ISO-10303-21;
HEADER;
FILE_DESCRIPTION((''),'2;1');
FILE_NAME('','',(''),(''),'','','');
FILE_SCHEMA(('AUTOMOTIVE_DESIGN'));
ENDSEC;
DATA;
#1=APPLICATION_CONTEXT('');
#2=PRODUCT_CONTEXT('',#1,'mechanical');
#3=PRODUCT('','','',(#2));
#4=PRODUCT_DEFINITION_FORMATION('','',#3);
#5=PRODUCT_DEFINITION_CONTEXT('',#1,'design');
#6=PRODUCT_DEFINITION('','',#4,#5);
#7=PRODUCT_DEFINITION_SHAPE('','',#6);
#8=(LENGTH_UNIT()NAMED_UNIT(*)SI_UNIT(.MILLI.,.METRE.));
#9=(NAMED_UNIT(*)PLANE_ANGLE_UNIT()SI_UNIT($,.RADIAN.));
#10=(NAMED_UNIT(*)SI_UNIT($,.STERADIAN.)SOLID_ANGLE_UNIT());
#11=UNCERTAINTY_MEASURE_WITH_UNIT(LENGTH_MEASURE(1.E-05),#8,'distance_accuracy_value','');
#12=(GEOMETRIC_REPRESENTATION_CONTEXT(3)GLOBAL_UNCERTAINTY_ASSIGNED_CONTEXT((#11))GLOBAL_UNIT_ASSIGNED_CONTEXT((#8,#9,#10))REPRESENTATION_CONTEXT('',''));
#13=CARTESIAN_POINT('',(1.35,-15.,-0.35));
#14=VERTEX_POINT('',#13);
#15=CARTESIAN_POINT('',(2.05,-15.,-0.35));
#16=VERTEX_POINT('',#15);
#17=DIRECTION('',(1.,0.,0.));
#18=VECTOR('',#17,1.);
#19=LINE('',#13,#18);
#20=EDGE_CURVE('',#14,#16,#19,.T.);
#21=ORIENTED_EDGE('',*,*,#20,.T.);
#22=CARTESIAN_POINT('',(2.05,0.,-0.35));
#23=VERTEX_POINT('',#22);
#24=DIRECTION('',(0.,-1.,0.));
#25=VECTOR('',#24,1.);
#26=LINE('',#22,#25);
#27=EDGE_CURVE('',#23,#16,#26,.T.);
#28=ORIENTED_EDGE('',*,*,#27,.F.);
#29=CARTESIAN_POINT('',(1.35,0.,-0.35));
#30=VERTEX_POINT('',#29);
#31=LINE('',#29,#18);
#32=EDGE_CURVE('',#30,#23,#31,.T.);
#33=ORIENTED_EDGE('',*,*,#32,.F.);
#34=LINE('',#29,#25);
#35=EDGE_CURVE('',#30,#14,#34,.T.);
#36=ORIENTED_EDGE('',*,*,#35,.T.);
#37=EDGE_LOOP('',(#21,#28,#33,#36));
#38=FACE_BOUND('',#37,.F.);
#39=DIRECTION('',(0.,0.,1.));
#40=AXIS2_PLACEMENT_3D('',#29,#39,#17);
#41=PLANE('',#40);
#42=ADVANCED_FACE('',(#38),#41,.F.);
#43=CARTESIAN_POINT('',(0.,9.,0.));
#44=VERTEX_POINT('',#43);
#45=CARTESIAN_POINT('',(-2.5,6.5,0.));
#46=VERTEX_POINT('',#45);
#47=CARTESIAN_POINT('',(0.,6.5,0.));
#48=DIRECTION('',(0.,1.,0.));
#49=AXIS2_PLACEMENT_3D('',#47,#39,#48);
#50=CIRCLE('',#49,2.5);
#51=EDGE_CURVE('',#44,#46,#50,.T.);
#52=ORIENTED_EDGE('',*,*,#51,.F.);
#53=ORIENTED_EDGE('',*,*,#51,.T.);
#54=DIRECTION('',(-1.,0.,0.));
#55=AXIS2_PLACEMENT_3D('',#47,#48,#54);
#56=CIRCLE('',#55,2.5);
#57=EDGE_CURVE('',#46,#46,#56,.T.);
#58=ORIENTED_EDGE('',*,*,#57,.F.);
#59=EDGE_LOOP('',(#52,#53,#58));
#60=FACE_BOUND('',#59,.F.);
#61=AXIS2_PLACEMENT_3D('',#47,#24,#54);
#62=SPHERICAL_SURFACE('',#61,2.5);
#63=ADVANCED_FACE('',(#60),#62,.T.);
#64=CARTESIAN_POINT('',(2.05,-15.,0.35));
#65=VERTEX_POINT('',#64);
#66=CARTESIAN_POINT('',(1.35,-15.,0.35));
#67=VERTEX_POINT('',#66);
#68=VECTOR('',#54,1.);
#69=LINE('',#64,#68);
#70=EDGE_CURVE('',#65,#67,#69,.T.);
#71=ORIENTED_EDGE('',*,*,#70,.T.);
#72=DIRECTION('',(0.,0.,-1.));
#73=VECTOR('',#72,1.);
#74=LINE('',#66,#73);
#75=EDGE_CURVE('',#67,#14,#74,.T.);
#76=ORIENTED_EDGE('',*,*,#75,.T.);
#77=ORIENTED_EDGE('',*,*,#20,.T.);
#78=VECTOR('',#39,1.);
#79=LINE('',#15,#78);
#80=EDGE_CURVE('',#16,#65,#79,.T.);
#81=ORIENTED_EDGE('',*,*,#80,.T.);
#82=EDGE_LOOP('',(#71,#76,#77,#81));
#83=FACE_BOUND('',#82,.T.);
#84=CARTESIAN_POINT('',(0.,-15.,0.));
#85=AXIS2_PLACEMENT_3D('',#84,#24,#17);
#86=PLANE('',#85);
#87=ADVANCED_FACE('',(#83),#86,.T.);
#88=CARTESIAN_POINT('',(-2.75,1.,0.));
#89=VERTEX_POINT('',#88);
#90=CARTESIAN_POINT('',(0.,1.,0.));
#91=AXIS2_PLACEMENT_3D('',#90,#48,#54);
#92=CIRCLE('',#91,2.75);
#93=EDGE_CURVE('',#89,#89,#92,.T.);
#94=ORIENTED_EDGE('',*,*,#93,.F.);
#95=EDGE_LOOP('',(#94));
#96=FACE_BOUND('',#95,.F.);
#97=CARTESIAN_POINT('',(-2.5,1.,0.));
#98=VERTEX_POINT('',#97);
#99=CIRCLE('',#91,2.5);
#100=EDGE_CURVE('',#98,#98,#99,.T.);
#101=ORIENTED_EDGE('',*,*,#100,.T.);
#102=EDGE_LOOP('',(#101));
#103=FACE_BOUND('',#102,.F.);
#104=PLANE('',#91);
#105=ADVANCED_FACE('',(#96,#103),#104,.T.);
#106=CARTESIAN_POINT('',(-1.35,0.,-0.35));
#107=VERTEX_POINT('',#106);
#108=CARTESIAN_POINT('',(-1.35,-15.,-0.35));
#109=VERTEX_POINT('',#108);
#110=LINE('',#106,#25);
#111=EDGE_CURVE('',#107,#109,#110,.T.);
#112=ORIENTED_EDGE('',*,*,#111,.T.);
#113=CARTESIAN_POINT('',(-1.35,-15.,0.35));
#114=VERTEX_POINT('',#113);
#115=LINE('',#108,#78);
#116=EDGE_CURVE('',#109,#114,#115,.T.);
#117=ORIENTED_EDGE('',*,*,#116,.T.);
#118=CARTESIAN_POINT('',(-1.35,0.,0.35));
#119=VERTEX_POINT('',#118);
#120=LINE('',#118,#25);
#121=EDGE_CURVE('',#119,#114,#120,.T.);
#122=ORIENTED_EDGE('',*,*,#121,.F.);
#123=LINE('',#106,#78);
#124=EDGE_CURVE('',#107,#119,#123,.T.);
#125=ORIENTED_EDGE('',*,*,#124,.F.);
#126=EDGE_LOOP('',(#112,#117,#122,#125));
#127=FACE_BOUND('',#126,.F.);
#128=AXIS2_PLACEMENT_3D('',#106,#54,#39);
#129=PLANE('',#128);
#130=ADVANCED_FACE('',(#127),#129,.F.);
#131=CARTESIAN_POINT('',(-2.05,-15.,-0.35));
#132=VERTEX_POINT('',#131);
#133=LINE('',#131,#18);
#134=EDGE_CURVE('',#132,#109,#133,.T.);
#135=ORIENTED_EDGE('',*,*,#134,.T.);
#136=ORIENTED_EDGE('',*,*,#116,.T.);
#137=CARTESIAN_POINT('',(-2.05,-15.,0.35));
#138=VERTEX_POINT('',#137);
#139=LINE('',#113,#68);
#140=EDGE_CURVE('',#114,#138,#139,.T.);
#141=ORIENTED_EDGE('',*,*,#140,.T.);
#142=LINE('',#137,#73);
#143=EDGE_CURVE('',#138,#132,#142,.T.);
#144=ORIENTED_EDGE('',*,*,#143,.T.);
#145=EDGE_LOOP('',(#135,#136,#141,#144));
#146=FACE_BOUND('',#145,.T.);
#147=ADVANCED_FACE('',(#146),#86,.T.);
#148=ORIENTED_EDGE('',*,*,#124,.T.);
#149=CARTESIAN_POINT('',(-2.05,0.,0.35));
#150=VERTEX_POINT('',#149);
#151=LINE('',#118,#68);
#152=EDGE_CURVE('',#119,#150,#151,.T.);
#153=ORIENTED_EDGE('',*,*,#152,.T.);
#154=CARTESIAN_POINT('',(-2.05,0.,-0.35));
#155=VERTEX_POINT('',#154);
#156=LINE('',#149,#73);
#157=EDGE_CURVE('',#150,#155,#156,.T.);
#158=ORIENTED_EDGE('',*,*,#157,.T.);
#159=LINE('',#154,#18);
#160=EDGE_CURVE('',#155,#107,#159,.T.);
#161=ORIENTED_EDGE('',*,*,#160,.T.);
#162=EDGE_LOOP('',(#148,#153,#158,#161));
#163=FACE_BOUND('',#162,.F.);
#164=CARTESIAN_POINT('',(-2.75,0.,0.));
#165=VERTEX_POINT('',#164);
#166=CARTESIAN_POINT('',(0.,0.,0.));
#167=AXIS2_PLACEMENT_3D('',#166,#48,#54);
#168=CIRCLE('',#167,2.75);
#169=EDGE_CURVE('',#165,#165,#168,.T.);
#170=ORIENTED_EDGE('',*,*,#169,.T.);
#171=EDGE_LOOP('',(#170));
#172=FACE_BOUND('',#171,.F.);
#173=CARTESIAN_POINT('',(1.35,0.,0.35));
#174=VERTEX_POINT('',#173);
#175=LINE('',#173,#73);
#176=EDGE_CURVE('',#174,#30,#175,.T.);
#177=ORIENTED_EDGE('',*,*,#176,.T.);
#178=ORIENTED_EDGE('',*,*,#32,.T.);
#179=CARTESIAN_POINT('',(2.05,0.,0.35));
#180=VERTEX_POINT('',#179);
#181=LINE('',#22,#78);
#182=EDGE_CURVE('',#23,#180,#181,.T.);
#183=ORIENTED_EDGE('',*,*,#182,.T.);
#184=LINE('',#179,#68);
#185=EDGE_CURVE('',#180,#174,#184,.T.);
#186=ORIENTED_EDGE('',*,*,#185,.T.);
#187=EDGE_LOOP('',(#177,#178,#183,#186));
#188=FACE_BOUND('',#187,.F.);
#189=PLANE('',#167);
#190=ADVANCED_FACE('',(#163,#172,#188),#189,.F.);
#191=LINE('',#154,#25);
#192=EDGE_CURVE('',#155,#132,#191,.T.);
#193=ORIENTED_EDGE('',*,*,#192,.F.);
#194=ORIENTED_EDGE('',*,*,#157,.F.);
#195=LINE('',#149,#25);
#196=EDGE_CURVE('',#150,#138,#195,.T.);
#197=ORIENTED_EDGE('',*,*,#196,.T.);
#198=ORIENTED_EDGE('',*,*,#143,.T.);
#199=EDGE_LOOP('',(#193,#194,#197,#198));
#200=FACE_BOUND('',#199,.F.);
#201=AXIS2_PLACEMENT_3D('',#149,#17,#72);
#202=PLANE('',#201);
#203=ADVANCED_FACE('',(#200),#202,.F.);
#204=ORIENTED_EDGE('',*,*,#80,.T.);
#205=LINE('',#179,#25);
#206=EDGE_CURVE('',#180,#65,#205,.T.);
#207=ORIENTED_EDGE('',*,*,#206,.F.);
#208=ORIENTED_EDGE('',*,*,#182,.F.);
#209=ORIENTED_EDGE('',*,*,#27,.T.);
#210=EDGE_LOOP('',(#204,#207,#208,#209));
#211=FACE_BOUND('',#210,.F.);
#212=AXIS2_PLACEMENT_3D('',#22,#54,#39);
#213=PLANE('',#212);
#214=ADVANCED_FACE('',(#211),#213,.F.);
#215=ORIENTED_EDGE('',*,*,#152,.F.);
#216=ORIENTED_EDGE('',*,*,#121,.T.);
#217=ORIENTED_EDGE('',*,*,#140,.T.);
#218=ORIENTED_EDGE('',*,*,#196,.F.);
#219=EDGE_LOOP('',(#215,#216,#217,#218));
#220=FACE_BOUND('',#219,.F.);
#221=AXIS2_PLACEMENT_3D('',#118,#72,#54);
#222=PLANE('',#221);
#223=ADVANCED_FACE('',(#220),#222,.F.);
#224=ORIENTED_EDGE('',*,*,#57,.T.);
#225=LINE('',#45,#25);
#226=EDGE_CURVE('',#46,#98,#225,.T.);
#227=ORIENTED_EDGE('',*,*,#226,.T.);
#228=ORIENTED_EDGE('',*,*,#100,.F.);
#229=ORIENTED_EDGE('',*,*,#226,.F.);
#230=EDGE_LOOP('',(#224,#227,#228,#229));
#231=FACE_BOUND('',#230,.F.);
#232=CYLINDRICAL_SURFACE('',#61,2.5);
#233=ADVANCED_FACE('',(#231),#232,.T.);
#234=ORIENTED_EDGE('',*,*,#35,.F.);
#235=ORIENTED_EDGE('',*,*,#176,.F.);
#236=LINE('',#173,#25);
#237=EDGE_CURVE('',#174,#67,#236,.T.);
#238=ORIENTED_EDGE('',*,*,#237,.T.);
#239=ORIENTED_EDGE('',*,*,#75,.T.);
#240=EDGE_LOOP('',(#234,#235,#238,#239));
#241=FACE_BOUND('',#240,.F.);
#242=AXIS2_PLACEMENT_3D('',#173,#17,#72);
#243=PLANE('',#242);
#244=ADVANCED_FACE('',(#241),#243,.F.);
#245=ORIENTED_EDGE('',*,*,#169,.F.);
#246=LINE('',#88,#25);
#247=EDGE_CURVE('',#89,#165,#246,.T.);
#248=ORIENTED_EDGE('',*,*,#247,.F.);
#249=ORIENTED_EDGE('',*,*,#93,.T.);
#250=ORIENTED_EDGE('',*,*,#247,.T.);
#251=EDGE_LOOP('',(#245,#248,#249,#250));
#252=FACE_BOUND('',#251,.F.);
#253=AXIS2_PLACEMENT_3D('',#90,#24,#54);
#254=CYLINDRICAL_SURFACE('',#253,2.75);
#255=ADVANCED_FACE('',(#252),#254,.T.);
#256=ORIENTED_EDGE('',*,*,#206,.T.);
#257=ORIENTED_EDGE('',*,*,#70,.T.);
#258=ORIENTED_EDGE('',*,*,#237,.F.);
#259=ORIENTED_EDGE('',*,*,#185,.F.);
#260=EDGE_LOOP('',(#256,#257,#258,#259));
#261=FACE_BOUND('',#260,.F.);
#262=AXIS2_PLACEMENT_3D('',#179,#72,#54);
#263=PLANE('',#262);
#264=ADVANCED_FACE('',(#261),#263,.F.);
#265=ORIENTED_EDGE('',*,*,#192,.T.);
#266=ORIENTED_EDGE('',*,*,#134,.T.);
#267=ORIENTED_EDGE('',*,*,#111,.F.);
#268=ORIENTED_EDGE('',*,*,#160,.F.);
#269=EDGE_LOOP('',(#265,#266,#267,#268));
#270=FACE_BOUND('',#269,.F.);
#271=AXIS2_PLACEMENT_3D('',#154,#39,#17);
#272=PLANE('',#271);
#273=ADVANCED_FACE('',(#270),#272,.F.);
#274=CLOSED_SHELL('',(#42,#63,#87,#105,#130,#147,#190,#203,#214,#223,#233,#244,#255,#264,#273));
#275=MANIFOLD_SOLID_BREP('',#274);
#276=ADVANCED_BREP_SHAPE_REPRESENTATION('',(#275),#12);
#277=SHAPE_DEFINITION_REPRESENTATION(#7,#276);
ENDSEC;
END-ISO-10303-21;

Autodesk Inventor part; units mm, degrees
ref_plane "YZ Plane" through (0, 0, 0) normal (1, 0, 0) x (0, 1, 0)
ref_plane "XZ Plane" through (0, 0, 0) normal (0, 1, 0) x (-1, 0, 0)
ref_plane "XY Plane" through (0, 0, 0) normal (0, 0, 1) x (1, 0, 0)
sketch "Sketch2" plane through (0, 0, 0) normal (0, 0, 1) x (1, 0, 0)
  line L0 (0, 0) -> (0, 6.5)
  line L1 (0, 6.5) -> (-2.5, 6.5) construction
  line L2 (-2.5, 6.5) -> (-2.5, 1)
  line L3 (-2.5, 1) -> (-2.75, 1)
  line L4 (-2.75, 1) -> (-2.75, 0)
  line L5 (-2.75, 0) -> (0, 0)
  arc A0 (0, 9) -> (-2.5, 6.5) centre (0, 6.5) ccw
  line L6 (0, 9) -> (0, 6.5)
  dimension "d11" = 5
  dimension "d12" = 5.5
  dimension "d13" = 5.5
  dimension "d14" = 1
revolve "Revolution1" add sketch "Sketch2" angle 360 about axis through (0, 0, 0) along (0, 1, 0)
sketch "Sketch3" plane through (0, 0, 0) normal (0, -1, 0) x (1, 0, 0)
  line L0 (-2.05, -0.35) -> (-1.35, -0.35)
  line L1 (-1.35, -0.35) -> (-1.35, 0.35)
  line L2 (-1.35, 0.35) -> (-2.05, 0.35)
  line L3 (-2.05, 0.35) -> (-2.05, -0.35)
  line L4 (-2.05, -0.35) -> (-1.35, 0.35) construction
  line L5 (-1.35, -0.35) -> (-2.05, 0.35) construction
  line L6 (1.35, -0.35) -> (2.05, -0.35)
  line L7 (2.05, -0.35) -> (2.05, 0.35)
  line L8 (2.05, 0.35) -> (1.35, 0.35)
  line L9 (1.35, 0.35) -> (1.35, -0.35)
  line L10 (1.35, -0.35) -> (2.05, 0.35) construction
  line L11 (2.05, -0.35) -> (1.35, 0.35) construction
  point P0 (0, 0)
  point P1 (-1.7, 0)
  point P2 (1.7, 0)
  point P3 (1.7, 0)
  dimension "d16" = 0.7
  dimension "d17" = 1.7
  dimension "d18" = 1.7
extrude "Extrusion2" add sketch "Sketch3" along normal blind 15
properties part number "P02 - LED 5mm" material "ABS Plastic"
